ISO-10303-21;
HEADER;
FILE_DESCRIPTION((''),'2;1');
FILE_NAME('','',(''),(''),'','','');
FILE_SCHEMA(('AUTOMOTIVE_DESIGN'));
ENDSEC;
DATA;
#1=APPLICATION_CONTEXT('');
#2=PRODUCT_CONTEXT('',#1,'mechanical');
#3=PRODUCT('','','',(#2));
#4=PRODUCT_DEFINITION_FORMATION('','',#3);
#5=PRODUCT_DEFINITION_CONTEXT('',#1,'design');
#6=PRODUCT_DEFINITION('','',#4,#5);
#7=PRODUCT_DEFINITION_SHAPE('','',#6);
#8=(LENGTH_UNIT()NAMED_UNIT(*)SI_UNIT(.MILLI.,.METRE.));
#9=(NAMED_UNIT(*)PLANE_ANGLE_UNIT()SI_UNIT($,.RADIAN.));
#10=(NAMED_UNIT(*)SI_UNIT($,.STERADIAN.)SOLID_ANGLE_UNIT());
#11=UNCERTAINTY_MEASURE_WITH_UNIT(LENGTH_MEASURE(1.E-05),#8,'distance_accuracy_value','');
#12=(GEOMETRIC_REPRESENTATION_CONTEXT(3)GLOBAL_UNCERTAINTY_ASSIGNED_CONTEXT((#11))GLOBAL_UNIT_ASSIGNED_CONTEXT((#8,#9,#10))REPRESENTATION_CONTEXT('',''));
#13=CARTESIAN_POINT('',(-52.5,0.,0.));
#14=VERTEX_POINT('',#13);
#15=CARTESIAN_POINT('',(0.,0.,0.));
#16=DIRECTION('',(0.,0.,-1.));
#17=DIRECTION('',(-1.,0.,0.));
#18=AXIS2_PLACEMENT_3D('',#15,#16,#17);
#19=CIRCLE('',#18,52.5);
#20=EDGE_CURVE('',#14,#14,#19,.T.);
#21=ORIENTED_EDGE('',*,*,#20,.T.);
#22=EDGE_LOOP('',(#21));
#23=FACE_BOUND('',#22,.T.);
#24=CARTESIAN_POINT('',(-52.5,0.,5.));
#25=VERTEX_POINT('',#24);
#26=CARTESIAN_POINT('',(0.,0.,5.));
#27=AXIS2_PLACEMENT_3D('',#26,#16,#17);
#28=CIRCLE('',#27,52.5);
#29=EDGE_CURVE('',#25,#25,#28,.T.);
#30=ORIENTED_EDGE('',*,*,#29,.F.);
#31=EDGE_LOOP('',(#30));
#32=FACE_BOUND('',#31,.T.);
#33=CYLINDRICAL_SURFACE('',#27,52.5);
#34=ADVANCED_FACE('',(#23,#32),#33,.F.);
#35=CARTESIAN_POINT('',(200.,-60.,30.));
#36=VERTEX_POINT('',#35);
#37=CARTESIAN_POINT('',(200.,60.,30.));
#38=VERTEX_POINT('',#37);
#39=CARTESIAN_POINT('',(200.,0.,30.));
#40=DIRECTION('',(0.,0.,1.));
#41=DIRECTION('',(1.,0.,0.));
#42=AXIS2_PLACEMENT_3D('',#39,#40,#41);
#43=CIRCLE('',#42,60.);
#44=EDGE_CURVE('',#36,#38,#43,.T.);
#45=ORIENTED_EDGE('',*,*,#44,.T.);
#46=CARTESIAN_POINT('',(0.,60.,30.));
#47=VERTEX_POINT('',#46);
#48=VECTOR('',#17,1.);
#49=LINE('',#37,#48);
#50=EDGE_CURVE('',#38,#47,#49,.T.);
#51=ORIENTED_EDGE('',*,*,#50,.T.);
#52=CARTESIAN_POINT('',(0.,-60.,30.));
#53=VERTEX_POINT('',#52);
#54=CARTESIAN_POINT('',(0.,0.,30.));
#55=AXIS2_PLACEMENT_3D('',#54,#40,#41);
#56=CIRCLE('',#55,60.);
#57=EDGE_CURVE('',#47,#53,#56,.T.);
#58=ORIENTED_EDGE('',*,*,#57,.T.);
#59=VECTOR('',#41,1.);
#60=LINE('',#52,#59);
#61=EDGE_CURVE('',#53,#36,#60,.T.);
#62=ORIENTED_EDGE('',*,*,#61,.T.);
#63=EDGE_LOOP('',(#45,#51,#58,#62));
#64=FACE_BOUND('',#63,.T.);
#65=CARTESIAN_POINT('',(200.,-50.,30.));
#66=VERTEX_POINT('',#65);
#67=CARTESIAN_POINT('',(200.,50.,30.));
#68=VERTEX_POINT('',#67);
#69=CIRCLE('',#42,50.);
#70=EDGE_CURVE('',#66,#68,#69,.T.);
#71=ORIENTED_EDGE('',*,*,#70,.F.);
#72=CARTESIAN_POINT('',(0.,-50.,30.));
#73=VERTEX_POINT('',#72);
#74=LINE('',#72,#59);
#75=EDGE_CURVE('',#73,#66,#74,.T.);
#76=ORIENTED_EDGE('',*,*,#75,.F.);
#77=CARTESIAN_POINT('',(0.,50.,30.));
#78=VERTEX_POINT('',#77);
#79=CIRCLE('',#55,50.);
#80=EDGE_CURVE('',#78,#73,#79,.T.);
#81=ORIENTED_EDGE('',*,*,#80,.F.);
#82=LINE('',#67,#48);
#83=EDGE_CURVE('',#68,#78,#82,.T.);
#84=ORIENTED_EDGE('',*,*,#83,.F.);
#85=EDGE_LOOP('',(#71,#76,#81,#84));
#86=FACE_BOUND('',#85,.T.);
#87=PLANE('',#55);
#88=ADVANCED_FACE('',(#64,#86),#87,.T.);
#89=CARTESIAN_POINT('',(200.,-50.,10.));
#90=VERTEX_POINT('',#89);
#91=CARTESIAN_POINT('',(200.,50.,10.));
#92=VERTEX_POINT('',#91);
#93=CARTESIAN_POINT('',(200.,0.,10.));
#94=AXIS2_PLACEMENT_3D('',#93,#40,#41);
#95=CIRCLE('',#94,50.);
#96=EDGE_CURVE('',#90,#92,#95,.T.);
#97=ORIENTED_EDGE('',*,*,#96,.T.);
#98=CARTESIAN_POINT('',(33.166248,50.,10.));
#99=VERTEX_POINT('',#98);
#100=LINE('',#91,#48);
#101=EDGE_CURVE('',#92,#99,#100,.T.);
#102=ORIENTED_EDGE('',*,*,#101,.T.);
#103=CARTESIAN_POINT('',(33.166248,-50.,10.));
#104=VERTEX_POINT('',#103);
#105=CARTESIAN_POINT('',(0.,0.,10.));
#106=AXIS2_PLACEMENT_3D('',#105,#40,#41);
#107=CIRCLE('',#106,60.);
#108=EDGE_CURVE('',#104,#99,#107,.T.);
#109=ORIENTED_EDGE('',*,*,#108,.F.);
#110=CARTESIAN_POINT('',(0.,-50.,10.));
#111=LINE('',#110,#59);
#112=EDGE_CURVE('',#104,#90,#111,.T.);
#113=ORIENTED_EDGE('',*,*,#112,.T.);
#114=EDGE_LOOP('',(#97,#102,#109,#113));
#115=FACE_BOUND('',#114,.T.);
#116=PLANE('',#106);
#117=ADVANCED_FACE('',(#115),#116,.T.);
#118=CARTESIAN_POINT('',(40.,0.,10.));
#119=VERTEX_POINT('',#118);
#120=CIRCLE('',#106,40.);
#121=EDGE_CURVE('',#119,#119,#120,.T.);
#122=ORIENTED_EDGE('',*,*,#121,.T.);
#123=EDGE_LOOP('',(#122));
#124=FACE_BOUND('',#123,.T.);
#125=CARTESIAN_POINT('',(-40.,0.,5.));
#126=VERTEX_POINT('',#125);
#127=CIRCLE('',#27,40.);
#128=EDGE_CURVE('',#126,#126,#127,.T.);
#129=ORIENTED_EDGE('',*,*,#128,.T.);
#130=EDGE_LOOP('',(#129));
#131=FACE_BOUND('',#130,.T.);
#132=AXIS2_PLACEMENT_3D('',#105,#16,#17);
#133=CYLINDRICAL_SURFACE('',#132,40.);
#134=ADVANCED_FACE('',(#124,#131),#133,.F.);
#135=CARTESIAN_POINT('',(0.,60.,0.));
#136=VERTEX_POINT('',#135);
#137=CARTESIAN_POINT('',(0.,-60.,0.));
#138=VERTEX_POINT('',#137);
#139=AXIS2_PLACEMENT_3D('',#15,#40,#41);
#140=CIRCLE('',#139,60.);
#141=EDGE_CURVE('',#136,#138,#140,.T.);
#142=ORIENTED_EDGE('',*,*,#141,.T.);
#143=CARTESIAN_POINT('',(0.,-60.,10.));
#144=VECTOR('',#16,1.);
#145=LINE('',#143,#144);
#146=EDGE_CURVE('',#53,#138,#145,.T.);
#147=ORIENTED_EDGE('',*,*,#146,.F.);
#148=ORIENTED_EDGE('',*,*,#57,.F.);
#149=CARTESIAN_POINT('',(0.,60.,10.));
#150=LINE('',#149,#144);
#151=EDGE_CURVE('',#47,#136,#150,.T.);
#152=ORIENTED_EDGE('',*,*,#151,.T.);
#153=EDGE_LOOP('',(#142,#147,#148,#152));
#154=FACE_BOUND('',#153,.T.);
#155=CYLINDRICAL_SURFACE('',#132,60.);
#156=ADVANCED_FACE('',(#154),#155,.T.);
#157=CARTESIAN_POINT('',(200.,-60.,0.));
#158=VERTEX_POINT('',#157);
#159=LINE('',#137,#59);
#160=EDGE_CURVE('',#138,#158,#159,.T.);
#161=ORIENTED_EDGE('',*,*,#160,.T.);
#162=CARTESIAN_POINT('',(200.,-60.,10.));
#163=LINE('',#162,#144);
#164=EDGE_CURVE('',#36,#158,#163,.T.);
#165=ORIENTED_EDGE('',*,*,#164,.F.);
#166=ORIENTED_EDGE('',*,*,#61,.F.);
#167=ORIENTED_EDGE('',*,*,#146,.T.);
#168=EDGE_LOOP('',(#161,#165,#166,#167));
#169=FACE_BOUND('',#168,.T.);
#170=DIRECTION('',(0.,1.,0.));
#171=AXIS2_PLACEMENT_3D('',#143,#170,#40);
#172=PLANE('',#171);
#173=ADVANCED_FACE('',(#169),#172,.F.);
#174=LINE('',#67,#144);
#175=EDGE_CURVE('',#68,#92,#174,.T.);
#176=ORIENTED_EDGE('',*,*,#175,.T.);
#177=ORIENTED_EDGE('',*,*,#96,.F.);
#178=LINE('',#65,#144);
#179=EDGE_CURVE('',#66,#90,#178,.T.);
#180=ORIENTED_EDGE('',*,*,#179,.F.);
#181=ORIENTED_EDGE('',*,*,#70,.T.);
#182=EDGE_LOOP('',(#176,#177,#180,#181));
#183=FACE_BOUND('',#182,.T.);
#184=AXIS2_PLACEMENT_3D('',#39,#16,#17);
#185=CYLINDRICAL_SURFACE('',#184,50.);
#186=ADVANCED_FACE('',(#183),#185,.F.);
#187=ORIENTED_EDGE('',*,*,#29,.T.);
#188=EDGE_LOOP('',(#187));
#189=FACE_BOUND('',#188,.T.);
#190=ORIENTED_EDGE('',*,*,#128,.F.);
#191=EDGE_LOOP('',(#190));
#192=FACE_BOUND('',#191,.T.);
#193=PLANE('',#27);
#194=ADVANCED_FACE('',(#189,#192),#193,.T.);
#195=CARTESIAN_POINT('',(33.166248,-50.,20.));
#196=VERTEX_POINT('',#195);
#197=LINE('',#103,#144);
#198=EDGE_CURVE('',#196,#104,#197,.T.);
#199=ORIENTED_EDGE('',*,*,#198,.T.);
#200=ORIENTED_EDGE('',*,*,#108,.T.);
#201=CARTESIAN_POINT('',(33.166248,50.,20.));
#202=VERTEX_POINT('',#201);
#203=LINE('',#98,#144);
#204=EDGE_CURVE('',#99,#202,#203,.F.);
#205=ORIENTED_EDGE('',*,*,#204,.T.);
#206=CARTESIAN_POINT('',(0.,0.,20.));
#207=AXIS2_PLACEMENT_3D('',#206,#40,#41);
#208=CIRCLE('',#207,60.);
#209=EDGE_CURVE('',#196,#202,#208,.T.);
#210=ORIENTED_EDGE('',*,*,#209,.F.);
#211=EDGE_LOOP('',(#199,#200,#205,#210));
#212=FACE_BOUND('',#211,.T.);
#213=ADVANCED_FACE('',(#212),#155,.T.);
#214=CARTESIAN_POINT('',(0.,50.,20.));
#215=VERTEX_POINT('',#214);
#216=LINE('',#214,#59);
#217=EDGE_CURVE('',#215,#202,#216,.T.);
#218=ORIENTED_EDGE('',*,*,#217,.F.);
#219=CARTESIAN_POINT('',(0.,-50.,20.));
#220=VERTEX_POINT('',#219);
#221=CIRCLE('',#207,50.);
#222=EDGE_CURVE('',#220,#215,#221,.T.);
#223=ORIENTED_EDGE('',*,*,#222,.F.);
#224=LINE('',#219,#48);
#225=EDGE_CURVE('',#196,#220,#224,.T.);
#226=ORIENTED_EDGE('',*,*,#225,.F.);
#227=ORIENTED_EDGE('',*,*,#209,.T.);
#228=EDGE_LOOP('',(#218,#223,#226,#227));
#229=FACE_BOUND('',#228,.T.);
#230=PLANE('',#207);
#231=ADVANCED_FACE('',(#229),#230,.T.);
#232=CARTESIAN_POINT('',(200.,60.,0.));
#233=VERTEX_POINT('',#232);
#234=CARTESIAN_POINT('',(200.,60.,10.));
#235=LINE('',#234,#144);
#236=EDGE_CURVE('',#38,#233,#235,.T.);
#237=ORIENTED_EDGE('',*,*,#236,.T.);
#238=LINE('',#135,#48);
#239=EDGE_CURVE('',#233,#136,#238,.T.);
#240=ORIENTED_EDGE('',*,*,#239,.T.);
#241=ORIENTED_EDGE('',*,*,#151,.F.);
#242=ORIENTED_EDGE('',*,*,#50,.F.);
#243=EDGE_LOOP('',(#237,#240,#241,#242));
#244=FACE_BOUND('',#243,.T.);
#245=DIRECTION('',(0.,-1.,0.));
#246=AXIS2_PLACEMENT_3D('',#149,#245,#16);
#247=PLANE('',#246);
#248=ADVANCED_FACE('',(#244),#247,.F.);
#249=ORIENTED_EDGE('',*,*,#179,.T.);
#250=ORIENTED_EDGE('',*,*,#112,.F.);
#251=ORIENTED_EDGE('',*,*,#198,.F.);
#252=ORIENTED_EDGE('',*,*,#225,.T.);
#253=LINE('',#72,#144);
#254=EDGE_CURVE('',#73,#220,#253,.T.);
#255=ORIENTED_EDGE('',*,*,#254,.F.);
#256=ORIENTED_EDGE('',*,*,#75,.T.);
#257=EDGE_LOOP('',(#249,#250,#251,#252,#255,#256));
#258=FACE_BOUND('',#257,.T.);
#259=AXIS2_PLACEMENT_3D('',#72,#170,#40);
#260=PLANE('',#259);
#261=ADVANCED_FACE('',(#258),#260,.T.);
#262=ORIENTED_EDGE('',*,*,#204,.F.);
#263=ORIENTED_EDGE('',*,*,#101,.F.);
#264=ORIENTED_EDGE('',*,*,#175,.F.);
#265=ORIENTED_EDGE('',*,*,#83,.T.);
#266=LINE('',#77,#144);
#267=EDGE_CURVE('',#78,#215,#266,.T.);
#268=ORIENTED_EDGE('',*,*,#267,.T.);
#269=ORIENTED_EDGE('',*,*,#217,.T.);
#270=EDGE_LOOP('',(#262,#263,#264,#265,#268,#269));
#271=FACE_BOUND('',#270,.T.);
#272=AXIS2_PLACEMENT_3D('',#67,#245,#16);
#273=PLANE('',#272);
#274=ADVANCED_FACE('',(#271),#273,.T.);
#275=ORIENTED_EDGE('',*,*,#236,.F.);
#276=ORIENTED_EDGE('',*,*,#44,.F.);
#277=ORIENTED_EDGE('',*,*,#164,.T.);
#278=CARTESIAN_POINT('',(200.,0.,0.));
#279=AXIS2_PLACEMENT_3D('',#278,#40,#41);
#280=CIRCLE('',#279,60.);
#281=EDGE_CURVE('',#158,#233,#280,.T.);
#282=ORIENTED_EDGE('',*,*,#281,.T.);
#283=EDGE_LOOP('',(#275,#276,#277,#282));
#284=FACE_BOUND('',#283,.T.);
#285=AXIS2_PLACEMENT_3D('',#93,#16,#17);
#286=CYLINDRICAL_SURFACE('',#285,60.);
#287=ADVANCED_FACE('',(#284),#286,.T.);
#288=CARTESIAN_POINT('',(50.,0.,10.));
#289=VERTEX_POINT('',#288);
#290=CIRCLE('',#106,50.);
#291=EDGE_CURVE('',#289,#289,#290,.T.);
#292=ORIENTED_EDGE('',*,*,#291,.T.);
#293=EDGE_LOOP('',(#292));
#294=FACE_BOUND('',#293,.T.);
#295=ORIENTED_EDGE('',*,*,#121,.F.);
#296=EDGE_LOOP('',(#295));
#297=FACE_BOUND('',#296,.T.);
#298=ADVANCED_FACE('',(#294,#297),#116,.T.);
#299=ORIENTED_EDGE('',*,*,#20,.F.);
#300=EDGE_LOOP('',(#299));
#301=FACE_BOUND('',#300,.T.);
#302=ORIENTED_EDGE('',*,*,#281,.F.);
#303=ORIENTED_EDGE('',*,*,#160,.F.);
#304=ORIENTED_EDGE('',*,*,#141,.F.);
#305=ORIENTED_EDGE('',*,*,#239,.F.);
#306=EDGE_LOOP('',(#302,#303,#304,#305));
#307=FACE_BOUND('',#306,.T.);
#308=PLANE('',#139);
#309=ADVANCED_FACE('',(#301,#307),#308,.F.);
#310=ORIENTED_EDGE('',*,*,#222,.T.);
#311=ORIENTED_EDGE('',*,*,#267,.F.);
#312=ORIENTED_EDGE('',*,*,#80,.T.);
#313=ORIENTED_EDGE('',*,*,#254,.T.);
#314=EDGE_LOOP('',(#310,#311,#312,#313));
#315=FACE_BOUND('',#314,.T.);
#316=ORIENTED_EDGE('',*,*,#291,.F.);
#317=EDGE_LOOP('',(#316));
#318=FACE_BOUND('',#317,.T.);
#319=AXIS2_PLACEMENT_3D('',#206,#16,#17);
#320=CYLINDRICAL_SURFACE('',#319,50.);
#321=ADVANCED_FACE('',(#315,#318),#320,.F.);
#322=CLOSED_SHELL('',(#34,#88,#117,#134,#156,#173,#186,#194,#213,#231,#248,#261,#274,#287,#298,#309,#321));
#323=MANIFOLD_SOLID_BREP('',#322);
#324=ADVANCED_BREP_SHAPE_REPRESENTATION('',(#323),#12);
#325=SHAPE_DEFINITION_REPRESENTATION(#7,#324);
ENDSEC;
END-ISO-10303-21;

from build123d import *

# Parameters (mm, degrees)
SKETCH1_R           = 40
BOSS_EXTRUDE1_DEPTH = 10
SKETCH2_R           = 52.5
CUT_EXTRUDE1_DEPTH  = 5
SKETCH3_R           = 50
BOSS_EXTRUDE2_DEPTH = 10
BOSS_EXTRUDE3_DEPTH = 20


with BuildPart() as part:
    # Sketch1 → Boss-Extrude1 (new body)
    with BuildSketch(Plane.XY):
        with BuildLine():
            Line((0, 60), (200, 60))
            ThreePointArc((200, 60), (260, 0), (200, -60))
            Line((200, -60), (0, -60))
            ThreePointArc((0, -60), (-60, 0), (0, 60))
        make_face()
        Circle(SKETCH1_R, mode=Mode.SUBTRACT)
    extrude(amount=BOSS_EXTRUDE1_DEPTH)

    # Sketch2 → Cut-Extrude1 (cut)
    with BuildSketch(Plane(origin=(0, 0, 0), x_dir=(-1, 0, 0), z_dir=(0, 0, -1))):
        Circle(SKETCH2_R)
    extrude(amount=-CUT_EXTRUDE1_DEPTH, mode=Mode.SUBTRACT)

    # Sketch3 → Boss-Extrude2 (add)
    with BuildSketch(Plane.XY.offset(10)):
        with BuildLine():
            ThreePointArc((0, -60), (42.426406871, -42.426406871), (60, 0))
            ThreePointArc((60, 0), (42.426406871, 42.426406871), (0, 60))
            ThreePointArc((0, 60), (-60, 0), (0, -60))
        make_face()
        Circle(SKETCH3_R, mode=Mode.SUBTRACT)
    extrude(amount=BOSS_EXTRUDE2_DEPTH)

    # Sketch4 → Boss-Extrude3 (add)
    with BuildSketch(Plane.XY.offset(10)):
        with BuildLine():
            Line((0, -60), (200, -60))
            ThreePointArc((200, -60), (260, 0), (200, 60))
            Line((200, 60), (0, 60))
            ThreePointArc((0, 60), (-60, 0), (0, -60))
        make_face()
        with BuildLine():
            Line((0, -50), (200, -50))
            ThreePointArc((200, -50), (250, 0), (200, 50))
            Line((200, 50), (0, 50))
            ThreePointArc((0, 50), (-50, 0), (0, -50))
        make_face(mode=Mode.SUBTRACT)
    extrude(amount=BOSS_EXTRUDE3_DEPTH)


solid = part.part
